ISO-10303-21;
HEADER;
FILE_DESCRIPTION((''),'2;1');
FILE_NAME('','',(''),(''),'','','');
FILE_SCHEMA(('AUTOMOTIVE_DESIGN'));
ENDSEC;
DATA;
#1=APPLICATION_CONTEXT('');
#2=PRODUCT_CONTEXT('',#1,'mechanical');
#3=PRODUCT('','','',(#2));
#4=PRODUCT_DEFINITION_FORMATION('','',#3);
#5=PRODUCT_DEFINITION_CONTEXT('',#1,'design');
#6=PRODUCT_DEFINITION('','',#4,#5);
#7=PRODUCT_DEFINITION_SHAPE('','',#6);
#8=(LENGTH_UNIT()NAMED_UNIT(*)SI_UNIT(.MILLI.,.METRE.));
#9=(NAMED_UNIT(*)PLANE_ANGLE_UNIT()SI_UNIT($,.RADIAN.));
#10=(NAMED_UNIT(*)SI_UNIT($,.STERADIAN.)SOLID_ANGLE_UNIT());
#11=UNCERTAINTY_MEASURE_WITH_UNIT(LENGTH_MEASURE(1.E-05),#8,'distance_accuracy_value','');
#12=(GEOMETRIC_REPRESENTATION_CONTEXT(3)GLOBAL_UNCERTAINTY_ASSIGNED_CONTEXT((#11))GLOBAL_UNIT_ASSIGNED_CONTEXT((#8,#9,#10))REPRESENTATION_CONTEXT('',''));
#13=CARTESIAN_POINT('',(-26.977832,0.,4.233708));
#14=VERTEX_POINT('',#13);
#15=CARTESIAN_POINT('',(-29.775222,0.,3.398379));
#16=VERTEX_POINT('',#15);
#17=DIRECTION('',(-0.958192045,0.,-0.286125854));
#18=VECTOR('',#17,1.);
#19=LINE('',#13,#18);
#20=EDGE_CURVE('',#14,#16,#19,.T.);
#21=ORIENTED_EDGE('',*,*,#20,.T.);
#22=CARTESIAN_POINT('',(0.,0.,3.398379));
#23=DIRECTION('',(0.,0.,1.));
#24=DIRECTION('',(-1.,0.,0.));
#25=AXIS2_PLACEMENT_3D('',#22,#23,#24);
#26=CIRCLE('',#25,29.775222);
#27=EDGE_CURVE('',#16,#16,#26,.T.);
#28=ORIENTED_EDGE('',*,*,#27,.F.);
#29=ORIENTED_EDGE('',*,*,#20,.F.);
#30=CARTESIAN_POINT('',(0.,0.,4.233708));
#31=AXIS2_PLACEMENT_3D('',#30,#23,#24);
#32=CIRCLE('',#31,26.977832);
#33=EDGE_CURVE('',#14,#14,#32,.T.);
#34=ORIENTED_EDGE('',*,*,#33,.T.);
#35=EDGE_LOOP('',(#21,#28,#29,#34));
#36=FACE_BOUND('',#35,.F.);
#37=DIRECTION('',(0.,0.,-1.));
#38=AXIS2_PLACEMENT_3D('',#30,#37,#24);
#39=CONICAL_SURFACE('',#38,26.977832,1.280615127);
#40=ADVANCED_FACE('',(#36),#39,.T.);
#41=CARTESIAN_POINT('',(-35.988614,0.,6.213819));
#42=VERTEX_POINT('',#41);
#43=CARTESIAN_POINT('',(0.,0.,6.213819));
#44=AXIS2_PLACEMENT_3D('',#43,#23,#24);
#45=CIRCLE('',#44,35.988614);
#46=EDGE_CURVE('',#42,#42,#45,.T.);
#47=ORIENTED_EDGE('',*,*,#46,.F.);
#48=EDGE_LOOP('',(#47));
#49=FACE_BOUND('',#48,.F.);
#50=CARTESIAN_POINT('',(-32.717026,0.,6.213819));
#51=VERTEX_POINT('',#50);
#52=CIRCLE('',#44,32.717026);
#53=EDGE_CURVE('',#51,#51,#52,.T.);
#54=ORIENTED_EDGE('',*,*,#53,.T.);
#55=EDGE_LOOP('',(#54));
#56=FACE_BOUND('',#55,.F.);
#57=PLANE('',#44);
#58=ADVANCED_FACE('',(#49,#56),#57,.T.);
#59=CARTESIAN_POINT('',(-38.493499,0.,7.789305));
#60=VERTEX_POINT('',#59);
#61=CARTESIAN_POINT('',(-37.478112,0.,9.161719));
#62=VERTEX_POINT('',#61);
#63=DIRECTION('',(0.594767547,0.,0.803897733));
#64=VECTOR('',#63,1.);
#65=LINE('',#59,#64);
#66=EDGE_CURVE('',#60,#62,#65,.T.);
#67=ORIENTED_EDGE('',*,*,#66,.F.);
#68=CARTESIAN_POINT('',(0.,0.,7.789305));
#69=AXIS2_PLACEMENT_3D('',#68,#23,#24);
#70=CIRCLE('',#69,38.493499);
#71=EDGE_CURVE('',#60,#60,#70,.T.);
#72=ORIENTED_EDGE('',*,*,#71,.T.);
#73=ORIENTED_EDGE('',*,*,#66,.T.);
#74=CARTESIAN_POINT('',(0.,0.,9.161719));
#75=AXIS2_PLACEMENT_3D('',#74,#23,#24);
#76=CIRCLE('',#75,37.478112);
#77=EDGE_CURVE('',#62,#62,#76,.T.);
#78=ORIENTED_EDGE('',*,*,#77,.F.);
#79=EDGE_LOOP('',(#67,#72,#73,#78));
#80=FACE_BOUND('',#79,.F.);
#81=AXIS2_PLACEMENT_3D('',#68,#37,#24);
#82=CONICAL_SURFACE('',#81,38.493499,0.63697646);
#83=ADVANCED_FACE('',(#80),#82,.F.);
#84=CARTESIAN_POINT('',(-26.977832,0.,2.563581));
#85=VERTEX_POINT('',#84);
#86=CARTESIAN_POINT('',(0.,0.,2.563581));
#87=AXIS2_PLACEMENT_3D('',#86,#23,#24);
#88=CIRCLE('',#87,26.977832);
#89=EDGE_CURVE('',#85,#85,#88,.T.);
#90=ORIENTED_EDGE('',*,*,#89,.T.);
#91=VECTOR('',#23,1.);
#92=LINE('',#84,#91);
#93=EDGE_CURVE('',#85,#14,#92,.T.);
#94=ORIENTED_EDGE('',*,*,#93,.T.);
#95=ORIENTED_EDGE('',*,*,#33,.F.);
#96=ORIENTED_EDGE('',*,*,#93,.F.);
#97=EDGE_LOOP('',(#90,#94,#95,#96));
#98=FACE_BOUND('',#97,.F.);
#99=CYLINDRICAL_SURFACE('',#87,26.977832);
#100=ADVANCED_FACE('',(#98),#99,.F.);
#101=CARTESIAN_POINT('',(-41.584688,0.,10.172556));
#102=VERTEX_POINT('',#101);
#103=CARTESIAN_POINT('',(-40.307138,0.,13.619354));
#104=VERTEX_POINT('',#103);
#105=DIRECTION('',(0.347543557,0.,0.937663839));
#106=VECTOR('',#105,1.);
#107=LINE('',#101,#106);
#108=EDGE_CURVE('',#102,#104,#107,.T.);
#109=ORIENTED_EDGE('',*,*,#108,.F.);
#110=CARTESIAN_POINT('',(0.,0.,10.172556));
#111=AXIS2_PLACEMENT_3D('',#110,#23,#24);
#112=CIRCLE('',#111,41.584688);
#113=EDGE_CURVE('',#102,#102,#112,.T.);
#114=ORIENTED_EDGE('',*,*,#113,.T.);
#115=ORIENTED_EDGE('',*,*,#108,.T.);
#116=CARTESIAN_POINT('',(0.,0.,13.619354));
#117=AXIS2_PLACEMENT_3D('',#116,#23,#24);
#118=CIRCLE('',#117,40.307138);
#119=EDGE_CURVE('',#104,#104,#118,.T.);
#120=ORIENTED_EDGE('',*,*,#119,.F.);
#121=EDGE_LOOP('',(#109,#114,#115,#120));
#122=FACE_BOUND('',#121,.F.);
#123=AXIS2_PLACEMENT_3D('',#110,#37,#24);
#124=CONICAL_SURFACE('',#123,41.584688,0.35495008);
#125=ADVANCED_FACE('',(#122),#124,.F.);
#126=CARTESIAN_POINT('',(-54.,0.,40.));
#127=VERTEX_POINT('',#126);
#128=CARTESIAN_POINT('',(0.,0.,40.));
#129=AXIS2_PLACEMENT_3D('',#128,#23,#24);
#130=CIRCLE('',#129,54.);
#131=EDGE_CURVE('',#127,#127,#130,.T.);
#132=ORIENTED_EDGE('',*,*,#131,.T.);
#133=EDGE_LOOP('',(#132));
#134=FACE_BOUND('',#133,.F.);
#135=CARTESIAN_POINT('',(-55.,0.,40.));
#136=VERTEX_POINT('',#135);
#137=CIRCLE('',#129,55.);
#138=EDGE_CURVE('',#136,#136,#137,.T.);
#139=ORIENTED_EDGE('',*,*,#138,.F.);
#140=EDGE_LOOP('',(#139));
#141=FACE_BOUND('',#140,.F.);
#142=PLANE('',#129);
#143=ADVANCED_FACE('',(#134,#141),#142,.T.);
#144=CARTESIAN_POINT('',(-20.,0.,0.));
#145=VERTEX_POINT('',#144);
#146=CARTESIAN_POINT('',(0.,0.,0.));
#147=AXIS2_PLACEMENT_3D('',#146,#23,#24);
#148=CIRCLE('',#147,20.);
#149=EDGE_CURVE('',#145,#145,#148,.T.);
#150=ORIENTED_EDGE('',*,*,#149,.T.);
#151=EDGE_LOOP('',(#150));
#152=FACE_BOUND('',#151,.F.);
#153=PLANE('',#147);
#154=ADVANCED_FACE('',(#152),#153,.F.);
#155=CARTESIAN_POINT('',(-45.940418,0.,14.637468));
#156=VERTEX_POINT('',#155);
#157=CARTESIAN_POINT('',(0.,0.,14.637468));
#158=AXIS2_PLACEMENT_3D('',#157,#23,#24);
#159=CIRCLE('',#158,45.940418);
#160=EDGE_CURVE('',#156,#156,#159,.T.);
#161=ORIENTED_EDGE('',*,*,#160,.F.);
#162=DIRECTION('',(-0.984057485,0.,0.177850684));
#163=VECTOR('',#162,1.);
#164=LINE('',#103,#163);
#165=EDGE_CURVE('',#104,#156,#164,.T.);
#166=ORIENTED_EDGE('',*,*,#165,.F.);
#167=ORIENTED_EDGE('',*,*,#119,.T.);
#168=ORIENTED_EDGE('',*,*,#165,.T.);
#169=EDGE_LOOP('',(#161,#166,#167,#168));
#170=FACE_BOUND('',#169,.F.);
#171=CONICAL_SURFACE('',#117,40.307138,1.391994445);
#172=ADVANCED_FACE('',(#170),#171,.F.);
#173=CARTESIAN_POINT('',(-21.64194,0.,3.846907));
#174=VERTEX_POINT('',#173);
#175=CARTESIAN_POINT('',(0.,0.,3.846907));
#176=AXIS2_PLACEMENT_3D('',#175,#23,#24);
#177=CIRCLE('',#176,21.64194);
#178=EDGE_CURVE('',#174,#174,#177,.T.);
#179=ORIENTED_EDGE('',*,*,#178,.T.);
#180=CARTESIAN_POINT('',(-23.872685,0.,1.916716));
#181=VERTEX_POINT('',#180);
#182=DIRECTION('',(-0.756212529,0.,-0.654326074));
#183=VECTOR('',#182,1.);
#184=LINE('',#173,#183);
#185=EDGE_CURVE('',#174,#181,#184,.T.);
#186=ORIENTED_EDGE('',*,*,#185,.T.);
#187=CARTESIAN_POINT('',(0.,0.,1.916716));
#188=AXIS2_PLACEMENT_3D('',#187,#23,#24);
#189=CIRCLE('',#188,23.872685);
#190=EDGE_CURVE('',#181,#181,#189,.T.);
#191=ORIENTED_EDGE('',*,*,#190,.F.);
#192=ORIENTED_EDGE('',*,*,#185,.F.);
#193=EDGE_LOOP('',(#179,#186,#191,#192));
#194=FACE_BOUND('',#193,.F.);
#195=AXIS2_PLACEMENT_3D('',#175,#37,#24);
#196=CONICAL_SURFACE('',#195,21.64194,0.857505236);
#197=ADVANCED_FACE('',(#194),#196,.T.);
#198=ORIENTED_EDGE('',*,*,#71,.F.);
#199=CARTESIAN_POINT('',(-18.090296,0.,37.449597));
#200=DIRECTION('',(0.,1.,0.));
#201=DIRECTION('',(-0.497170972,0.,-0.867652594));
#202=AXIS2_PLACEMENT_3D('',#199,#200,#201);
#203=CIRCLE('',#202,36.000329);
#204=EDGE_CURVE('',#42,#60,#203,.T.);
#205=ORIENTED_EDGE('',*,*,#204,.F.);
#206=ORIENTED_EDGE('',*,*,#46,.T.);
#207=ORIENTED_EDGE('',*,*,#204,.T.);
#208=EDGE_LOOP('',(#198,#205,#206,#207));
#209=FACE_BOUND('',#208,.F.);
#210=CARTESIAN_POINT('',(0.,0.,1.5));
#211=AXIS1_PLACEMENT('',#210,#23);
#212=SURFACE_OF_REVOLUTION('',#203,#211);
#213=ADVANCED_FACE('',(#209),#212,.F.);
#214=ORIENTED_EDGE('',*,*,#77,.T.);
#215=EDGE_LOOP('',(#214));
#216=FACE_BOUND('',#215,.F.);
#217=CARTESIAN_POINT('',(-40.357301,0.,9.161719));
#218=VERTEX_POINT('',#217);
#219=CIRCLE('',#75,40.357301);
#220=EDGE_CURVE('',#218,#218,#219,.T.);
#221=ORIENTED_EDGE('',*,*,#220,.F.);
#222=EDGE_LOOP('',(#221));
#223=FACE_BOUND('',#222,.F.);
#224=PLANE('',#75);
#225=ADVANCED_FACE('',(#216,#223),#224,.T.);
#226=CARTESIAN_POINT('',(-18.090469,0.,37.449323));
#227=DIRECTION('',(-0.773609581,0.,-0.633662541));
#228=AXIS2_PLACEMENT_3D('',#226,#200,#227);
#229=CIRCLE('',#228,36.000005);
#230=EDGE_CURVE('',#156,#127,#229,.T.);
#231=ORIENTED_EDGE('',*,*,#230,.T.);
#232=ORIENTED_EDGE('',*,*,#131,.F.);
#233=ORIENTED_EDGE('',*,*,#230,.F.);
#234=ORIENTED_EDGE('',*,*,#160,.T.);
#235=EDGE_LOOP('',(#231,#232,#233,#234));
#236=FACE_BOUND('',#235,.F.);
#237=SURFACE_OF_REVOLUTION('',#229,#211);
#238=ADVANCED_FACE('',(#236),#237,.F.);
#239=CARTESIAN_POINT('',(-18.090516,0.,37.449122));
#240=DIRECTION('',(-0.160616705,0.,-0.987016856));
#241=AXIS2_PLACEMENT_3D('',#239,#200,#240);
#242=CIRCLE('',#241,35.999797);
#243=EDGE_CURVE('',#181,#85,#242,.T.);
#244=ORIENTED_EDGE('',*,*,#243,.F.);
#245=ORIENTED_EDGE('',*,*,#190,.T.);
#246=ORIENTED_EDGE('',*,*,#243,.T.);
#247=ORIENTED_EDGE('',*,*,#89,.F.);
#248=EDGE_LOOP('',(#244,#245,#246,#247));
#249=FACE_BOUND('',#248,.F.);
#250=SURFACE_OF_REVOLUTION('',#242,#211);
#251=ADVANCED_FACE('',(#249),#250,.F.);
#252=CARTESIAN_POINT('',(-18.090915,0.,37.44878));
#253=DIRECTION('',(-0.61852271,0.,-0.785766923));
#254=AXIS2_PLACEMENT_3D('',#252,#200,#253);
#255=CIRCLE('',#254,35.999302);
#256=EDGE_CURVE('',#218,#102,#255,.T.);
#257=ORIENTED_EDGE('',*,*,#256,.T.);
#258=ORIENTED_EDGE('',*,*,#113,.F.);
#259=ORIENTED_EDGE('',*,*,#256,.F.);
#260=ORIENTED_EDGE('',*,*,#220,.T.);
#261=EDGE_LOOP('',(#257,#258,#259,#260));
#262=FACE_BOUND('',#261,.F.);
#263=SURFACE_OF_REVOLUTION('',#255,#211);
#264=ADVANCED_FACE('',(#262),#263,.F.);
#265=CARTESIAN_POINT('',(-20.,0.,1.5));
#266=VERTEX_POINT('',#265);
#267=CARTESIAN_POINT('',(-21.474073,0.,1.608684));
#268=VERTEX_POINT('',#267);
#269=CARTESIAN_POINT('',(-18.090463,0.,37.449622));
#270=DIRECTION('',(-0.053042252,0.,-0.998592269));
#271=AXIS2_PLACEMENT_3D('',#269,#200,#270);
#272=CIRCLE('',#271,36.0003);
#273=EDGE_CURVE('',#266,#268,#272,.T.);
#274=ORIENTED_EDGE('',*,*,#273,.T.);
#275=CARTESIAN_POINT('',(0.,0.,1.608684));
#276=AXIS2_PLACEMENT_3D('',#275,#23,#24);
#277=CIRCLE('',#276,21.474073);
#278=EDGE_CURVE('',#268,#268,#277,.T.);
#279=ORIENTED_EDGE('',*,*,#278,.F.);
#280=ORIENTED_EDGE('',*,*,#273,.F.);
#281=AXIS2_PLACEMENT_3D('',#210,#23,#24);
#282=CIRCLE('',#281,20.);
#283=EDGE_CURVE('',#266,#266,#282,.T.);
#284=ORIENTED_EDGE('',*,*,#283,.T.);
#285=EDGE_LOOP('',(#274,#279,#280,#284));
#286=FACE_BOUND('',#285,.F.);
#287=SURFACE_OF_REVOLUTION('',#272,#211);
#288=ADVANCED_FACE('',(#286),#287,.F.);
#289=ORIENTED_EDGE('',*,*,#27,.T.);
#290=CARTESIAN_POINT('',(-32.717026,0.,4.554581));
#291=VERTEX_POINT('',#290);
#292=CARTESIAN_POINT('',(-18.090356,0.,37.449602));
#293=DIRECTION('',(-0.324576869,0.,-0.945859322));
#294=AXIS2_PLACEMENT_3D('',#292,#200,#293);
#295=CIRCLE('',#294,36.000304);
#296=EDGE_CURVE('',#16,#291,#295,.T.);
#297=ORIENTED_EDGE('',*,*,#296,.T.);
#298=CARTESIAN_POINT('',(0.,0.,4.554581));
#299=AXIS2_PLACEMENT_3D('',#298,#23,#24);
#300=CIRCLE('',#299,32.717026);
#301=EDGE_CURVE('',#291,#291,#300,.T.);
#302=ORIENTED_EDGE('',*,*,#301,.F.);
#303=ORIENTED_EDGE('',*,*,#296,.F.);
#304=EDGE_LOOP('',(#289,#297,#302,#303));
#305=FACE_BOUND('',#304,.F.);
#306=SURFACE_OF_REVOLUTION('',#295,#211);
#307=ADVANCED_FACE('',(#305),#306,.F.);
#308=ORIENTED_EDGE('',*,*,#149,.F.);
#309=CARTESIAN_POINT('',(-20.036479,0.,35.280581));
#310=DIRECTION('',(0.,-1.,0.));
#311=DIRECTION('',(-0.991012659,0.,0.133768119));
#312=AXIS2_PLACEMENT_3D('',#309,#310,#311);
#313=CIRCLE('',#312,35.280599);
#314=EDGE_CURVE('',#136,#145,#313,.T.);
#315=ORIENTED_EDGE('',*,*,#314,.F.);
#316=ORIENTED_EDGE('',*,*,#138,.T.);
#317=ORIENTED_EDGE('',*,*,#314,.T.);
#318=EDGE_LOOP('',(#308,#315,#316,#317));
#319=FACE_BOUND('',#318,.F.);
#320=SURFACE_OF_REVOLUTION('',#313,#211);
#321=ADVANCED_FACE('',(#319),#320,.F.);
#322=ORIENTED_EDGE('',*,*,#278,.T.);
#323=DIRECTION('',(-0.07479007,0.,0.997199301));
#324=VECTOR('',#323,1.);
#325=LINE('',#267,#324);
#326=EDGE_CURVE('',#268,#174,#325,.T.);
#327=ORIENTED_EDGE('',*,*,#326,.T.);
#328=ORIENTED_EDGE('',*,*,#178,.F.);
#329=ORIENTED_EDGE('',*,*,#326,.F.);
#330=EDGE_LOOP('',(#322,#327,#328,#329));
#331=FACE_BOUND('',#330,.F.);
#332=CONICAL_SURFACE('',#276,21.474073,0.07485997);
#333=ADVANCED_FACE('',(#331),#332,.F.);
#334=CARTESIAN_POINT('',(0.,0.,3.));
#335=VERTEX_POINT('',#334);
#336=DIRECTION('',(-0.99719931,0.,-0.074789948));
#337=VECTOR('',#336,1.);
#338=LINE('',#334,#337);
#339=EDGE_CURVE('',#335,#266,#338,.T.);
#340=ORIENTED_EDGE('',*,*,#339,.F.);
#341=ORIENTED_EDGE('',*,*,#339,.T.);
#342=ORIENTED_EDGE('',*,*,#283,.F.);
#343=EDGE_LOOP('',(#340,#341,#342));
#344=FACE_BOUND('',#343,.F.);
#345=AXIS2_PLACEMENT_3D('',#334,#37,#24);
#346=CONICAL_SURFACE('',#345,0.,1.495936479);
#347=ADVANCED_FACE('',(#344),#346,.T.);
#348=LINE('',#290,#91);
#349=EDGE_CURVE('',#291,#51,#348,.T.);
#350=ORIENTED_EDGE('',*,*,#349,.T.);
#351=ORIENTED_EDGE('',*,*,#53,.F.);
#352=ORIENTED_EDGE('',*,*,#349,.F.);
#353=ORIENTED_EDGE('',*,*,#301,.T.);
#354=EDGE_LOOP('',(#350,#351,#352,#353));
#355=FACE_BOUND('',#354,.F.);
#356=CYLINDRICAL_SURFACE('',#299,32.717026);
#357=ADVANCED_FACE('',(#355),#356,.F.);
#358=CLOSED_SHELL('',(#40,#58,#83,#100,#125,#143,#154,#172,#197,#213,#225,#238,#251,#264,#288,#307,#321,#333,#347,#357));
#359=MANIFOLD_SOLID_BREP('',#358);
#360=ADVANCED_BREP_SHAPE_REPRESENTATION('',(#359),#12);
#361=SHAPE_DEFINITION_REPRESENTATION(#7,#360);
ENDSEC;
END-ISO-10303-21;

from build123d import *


with BuildPart() as f1:
    # F0 (on Front) → F1 (revolve)
    with BuildSketch(Plane.XZ):
        with BuildLine():
            Line((-40.307138, 13.619354), (-45.940418, 14.637468))
            ThreePointArc((-45.940418, 14.637468), (-43.859438, 12.310496), (-41.584688, 10.172556))
            Line((-41.584688, 10.172556), (-40.307138, 13.619354))
        make_face()
        with BuildLine():
            Line((-37.478112, 9.161719), (-40.357301, 9.161719))
            ThreePointArc((-40.357301, 9.161719), (-39.436433, 8.460529), (-38.493499, 7.789305))
            Line((-38.493499, 7.789305), (-37.478112, 9.161719))
        make_face()
        with BuildLine():
            Line((-32.717026, 6.213819), (-35.988614, 6.213819))
            ThreePointArc((-35.988614, 6.213819), (-34.373968, 5.342502), (-32.717026, 4.554581))
            Line((-32.717026, 4.554581), (-32.717026, 6.213819))
        make_face()
        with BuildLine():
            ThreePointArc((-29.775222, 3.398379), (-28.384993, 2.952613), (-26.977832, 2.563581))
            Line((-26.977832, 2.563581), (-26.977832, 4.233708))
            Line((-26.977832, 4.233708), (-29.775222, 3.398379))
        make_face()
        with BuildLine():
            ThreePointArc((-23.872685, 1.916716), (-22.675966, 1.742554), (-21.474073, 1.608684))
            Line((-21.474073, 1.608684), (-21.64194, 3.846907))
            Line((-21.64194, 3.846907), (-23.872685, 1.916716))
        make_face()
        with BuildLine():
            Line((-54, 40), (-55, 40))
            ThreePointArc((-55, 40), (-46.587836, 12.048143), (-20, 0))
            Line((-20, 0), (-20, 1.5))
            ThreePointArc((-20, 1.5), (-20.737594, 1.546776), (-21.474073, 1.608684))
            ThreePointArc((-21.474073, 1.608684), (-22.675966, 1.742554), (-23.872685, 1.916716))
            ThreePointArc((-23.872685, 1.916716), (-25.432386, 2.205934), (-26.977832, 2.563581))
            ThreePointArc((-26.977832, 2.563581), (-28.384993, 2.952613), (-29.775222, 3.398379))
            ThreePointArc((-29.775222, 3.398379), (-31.25882, 3.944178), (-32.717026, 4.554581))
            ThreePointArc((-32.717026, 4.554581), (-34.373968, 5.342502), (-35.988614, 6.213819))
            ThreePointArc((-35.988614, 6.213819), (-37.257251, 6.975814), (-38.493499, 7.789305))
            ThreePointArc((-38.493499, 7.789305), (-39.436433, 8.460529), (-40.357301, 9.161719))
            ThreePointArc((-40.357301, 9.161719), (-40.976576, 9.66036), (-41.584688, 10.172556))
            ThreePointArc((-41.584688, 10.172556), (-43.859438, 12.310496), (-45.940418, 14.637468))
            ThreePointArc((-45.940418, 14.637468), (-52.399831, 26.54666), (-54, 40))
        make_face()
        Polygon((-20, 1.5), (-20, 0), (0, 0), (0, 3), align=None)
    revolve(axis=Axis((0, 0, 1.5), (0, 0, 1)))


solid = f1.part
